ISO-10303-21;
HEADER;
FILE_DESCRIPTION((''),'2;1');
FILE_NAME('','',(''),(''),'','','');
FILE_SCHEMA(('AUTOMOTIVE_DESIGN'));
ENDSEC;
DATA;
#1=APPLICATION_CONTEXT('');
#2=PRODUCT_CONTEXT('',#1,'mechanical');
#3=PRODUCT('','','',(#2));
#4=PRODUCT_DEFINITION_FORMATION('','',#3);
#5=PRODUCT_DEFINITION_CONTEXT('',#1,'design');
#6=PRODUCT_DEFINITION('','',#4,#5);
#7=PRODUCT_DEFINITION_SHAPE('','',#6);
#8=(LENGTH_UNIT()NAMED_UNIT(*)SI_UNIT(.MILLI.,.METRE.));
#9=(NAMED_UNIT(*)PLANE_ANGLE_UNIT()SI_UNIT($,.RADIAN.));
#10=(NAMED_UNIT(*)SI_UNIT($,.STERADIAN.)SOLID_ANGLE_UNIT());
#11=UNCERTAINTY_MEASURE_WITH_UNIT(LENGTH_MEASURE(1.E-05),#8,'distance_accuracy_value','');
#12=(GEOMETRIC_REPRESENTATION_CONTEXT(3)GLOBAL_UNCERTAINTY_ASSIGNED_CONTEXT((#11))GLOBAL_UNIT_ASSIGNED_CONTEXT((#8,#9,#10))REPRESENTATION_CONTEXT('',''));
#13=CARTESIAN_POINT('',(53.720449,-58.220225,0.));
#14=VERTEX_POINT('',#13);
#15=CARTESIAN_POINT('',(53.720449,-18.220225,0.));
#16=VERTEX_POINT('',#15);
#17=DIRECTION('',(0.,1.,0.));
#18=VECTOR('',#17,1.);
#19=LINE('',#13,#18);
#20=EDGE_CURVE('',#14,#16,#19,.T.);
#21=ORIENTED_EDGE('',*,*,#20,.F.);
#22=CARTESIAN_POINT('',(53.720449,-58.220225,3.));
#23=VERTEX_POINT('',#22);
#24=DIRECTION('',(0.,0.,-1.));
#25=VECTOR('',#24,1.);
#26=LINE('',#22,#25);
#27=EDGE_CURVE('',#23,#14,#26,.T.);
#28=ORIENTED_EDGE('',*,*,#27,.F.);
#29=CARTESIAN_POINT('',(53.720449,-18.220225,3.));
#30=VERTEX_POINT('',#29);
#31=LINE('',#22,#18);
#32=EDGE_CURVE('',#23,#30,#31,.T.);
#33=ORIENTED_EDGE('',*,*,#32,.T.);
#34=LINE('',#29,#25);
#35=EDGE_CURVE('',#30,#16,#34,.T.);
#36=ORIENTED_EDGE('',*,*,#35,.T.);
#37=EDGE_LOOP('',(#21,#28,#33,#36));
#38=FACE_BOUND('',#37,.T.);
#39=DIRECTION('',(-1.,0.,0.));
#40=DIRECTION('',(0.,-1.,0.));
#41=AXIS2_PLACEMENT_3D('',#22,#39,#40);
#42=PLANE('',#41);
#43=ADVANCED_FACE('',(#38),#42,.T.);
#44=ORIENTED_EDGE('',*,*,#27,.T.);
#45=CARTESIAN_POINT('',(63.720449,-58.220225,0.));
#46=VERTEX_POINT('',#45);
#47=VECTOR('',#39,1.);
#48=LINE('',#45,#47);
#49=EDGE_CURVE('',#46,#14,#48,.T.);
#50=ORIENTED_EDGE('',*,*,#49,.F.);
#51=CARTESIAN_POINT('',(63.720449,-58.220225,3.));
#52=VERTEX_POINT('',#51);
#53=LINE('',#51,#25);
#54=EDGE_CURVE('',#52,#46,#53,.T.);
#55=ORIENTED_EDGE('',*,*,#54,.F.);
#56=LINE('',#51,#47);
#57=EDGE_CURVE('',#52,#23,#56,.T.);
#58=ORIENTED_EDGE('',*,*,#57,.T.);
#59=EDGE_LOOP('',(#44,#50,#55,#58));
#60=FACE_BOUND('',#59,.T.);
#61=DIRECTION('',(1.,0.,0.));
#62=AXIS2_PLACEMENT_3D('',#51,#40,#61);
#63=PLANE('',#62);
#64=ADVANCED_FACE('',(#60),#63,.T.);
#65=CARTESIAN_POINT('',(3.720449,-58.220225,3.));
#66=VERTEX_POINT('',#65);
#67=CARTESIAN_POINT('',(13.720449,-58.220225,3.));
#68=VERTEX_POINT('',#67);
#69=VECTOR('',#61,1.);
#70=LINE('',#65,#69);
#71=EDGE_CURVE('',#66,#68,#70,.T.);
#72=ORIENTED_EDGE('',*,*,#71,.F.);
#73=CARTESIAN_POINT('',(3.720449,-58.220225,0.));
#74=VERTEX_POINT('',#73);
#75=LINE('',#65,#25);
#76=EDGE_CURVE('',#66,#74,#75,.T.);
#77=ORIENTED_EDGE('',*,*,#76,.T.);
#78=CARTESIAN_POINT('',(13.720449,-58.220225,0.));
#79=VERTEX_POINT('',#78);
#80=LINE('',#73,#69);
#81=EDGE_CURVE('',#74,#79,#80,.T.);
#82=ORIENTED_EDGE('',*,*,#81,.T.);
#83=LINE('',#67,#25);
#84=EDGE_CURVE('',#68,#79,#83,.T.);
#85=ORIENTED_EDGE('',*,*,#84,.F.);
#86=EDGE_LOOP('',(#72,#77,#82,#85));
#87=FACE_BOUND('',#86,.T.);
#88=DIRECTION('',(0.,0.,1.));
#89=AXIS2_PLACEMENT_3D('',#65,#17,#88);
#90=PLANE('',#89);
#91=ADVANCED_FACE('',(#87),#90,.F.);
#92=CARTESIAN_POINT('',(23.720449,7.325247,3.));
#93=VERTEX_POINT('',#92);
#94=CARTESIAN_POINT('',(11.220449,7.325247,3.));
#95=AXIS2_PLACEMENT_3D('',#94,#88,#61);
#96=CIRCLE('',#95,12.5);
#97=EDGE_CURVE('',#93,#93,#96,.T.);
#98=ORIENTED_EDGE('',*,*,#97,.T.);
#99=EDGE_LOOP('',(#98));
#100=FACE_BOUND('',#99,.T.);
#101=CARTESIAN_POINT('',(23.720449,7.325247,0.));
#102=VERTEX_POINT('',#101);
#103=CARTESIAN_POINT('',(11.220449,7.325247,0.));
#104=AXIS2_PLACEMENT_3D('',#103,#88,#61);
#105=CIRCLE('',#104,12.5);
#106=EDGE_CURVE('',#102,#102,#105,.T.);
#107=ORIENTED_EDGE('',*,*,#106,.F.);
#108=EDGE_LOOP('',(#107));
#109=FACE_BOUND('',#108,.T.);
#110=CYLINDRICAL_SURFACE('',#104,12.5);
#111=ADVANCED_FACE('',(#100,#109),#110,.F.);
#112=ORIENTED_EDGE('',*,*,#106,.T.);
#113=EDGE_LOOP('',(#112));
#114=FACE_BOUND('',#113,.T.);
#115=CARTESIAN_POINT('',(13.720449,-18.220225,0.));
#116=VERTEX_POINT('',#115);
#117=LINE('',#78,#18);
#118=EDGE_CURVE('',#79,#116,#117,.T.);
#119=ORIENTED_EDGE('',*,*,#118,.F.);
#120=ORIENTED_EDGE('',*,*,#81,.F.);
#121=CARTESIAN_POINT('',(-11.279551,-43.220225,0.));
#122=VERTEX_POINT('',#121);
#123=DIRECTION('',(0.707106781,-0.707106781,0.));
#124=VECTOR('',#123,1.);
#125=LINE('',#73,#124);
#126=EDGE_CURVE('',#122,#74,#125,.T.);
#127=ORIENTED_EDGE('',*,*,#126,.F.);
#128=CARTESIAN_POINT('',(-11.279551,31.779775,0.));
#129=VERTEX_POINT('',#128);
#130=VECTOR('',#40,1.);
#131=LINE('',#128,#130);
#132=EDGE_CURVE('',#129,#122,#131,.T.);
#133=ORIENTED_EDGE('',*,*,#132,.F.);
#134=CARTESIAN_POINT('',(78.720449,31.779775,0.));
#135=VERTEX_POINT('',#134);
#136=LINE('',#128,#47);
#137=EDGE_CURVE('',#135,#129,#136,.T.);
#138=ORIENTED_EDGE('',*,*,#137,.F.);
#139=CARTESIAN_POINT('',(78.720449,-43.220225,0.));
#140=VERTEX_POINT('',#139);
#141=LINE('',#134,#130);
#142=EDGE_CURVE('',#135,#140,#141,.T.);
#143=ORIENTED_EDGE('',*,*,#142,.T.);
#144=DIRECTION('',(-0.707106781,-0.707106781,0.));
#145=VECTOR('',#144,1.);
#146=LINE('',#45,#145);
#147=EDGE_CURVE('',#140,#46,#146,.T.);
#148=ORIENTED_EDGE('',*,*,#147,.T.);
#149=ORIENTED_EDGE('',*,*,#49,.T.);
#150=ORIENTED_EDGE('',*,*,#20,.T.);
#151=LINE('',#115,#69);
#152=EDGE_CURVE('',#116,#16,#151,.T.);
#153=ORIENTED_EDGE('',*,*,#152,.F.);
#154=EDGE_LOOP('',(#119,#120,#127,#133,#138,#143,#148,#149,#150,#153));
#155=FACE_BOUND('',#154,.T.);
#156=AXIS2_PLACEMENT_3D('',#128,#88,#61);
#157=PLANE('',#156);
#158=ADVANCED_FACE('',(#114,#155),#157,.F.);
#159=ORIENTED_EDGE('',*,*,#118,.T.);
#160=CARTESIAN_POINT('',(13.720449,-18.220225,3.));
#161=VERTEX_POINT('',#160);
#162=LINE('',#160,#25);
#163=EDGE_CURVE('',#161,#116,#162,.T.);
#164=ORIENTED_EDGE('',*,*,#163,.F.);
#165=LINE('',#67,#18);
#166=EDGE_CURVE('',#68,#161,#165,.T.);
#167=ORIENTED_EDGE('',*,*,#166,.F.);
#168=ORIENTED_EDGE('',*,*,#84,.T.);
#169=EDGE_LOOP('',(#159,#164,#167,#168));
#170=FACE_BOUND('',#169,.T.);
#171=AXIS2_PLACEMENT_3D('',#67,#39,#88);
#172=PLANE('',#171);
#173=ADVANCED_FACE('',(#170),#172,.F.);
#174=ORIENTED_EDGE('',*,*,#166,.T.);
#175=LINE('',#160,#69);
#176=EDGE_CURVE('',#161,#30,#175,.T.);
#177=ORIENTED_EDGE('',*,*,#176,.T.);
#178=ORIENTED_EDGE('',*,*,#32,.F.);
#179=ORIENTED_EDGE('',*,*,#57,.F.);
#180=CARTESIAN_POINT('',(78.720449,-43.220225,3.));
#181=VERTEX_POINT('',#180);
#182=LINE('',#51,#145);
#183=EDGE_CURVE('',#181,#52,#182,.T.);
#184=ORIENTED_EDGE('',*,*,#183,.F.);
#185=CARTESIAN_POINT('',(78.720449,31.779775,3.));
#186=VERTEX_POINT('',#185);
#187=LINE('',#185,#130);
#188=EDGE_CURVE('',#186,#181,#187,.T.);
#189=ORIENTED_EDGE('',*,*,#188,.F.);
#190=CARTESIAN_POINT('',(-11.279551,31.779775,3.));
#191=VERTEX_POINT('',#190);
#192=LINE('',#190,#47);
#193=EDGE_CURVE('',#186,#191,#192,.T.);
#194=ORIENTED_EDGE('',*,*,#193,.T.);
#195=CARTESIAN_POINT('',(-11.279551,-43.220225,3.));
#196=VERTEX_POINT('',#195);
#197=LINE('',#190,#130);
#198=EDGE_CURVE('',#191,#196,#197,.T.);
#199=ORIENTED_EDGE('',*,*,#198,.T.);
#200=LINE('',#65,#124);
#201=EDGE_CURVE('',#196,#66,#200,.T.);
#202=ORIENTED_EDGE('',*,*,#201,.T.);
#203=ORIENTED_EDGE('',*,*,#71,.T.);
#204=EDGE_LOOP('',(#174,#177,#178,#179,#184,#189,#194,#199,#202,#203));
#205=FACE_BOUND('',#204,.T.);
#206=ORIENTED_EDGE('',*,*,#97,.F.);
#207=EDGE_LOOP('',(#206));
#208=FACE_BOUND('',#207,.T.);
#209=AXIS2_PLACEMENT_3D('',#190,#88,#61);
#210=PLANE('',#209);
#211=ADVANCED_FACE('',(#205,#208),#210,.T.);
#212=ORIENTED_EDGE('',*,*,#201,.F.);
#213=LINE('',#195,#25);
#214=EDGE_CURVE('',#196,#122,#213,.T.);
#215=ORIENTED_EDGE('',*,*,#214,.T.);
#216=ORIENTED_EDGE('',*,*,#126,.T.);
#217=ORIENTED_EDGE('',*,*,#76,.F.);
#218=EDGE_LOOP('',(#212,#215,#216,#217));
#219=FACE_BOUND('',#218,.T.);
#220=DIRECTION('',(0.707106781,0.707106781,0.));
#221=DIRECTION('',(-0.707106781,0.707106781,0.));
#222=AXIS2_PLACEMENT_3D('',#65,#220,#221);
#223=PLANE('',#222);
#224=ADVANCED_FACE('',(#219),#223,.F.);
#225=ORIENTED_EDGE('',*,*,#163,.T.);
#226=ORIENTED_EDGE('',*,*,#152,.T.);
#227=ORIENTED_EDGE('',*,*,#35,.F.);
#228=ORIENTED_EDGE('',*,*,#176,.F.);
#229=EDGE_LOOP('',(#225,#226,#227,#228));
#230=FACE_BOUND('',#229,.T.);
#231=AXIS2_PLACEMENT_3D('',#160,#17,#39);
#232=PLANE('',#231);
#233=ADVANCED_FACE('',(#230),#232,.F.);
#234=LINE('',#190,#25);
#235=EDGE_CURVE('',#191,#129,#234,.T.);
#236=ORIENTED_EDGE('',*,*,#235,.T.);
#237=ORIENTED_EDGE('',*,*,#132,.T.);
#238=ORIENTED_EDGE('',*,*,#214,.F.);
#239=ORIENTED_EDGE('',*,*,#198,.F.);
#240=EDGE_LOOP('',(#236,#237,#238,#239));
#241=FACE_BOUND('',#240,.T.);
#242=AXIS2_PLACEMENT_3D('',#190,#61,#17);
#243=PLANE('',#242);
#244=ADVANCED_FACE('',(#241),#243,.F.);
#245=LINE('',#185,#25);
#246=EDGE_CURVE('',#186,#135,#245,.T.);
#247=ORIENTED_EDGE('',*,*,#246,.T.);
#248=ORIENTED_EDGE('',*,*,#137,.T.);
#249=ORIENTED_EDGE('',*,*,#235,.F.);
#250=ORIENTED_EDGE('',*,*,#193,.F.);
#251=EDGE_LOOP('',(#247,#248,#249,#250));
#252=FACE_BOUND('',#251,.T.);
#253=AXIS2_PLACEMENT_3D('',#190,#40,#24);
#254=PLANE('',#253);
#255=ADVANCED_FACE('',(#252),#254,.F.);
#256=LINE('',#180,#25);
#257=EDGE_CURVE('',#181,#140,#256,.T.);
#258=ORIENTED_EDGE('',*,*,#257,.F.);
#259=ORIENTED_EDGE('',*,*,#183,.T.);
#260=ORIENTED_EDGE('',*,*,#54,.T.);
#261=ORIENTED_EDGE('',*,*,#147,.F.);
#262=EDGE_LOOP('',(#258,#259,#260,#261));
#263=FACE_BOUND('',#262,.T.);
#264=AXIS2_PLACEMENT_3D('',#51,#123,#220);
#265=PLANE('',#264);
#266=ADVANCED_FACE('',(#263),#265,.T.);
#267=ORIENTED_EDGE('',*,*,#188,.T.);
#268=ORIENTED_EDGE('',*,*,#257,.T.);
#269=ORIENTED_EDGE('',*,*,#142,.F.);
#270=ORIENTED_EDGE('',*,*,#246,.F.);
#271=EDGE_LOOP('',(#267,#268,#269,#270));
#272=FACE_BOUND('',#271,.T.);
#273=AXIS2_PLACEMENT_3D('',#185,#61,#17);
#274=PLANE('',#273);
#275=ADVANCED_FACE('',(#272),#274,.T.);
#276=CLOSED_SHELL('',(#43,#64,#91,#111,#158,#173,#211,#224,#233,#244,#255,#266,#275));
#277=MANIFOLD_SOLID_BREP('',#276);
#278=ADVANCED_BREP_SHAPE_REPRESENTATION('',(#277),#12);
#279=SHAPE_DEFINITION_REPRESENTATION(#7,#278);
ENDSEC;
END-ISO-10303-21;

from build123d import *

# Parameters (mm, degrees)
EXTRUSION1_DEPTH        = 3
ESQUISSE2_R             = 12.5
ENL_V_MAT_EXTRU_1_DEPTH = 98.956642072


with BuildPart() as part:
    # Esquisse1 → Extrusion1 (new body)
    with BuildSketch(Plane.XY):
        Polygon((3.720449438, -58.220224719), (-11.279550562, -43.220224719), (-11.279550562, 31.779775281), (33.720449438, 31.779775281), (33.720449438, -18.220224719), (13.720449438, -18.220224719), (13.720449438, -58.220224719), align=None)
    extrusion1 = extrude(amount=EXTRUSION1_DEPTH)

    # Symétrie1: Extrusion1 across plane
    add(extrusion1.mirror(Plane(origin=(33.720449438, 31.779775281, 3), x_dir=(0, 0, 1), z_dir=(-1, 0, 0))))

    # Esquisse2 → Enlèv. mat.-Extru.1 (cut, through all)
    with BuildSketch(Plane.XY.offset(3)):
        with Locations((11.220449438, 7.325247065)):
            Circle(ESQUISSE2_R)
    extrude(amount=-ENL_V_MAT_EXTRU_1_DEPTH, mode=Mode.SUBTRACT)


solid = part.part
